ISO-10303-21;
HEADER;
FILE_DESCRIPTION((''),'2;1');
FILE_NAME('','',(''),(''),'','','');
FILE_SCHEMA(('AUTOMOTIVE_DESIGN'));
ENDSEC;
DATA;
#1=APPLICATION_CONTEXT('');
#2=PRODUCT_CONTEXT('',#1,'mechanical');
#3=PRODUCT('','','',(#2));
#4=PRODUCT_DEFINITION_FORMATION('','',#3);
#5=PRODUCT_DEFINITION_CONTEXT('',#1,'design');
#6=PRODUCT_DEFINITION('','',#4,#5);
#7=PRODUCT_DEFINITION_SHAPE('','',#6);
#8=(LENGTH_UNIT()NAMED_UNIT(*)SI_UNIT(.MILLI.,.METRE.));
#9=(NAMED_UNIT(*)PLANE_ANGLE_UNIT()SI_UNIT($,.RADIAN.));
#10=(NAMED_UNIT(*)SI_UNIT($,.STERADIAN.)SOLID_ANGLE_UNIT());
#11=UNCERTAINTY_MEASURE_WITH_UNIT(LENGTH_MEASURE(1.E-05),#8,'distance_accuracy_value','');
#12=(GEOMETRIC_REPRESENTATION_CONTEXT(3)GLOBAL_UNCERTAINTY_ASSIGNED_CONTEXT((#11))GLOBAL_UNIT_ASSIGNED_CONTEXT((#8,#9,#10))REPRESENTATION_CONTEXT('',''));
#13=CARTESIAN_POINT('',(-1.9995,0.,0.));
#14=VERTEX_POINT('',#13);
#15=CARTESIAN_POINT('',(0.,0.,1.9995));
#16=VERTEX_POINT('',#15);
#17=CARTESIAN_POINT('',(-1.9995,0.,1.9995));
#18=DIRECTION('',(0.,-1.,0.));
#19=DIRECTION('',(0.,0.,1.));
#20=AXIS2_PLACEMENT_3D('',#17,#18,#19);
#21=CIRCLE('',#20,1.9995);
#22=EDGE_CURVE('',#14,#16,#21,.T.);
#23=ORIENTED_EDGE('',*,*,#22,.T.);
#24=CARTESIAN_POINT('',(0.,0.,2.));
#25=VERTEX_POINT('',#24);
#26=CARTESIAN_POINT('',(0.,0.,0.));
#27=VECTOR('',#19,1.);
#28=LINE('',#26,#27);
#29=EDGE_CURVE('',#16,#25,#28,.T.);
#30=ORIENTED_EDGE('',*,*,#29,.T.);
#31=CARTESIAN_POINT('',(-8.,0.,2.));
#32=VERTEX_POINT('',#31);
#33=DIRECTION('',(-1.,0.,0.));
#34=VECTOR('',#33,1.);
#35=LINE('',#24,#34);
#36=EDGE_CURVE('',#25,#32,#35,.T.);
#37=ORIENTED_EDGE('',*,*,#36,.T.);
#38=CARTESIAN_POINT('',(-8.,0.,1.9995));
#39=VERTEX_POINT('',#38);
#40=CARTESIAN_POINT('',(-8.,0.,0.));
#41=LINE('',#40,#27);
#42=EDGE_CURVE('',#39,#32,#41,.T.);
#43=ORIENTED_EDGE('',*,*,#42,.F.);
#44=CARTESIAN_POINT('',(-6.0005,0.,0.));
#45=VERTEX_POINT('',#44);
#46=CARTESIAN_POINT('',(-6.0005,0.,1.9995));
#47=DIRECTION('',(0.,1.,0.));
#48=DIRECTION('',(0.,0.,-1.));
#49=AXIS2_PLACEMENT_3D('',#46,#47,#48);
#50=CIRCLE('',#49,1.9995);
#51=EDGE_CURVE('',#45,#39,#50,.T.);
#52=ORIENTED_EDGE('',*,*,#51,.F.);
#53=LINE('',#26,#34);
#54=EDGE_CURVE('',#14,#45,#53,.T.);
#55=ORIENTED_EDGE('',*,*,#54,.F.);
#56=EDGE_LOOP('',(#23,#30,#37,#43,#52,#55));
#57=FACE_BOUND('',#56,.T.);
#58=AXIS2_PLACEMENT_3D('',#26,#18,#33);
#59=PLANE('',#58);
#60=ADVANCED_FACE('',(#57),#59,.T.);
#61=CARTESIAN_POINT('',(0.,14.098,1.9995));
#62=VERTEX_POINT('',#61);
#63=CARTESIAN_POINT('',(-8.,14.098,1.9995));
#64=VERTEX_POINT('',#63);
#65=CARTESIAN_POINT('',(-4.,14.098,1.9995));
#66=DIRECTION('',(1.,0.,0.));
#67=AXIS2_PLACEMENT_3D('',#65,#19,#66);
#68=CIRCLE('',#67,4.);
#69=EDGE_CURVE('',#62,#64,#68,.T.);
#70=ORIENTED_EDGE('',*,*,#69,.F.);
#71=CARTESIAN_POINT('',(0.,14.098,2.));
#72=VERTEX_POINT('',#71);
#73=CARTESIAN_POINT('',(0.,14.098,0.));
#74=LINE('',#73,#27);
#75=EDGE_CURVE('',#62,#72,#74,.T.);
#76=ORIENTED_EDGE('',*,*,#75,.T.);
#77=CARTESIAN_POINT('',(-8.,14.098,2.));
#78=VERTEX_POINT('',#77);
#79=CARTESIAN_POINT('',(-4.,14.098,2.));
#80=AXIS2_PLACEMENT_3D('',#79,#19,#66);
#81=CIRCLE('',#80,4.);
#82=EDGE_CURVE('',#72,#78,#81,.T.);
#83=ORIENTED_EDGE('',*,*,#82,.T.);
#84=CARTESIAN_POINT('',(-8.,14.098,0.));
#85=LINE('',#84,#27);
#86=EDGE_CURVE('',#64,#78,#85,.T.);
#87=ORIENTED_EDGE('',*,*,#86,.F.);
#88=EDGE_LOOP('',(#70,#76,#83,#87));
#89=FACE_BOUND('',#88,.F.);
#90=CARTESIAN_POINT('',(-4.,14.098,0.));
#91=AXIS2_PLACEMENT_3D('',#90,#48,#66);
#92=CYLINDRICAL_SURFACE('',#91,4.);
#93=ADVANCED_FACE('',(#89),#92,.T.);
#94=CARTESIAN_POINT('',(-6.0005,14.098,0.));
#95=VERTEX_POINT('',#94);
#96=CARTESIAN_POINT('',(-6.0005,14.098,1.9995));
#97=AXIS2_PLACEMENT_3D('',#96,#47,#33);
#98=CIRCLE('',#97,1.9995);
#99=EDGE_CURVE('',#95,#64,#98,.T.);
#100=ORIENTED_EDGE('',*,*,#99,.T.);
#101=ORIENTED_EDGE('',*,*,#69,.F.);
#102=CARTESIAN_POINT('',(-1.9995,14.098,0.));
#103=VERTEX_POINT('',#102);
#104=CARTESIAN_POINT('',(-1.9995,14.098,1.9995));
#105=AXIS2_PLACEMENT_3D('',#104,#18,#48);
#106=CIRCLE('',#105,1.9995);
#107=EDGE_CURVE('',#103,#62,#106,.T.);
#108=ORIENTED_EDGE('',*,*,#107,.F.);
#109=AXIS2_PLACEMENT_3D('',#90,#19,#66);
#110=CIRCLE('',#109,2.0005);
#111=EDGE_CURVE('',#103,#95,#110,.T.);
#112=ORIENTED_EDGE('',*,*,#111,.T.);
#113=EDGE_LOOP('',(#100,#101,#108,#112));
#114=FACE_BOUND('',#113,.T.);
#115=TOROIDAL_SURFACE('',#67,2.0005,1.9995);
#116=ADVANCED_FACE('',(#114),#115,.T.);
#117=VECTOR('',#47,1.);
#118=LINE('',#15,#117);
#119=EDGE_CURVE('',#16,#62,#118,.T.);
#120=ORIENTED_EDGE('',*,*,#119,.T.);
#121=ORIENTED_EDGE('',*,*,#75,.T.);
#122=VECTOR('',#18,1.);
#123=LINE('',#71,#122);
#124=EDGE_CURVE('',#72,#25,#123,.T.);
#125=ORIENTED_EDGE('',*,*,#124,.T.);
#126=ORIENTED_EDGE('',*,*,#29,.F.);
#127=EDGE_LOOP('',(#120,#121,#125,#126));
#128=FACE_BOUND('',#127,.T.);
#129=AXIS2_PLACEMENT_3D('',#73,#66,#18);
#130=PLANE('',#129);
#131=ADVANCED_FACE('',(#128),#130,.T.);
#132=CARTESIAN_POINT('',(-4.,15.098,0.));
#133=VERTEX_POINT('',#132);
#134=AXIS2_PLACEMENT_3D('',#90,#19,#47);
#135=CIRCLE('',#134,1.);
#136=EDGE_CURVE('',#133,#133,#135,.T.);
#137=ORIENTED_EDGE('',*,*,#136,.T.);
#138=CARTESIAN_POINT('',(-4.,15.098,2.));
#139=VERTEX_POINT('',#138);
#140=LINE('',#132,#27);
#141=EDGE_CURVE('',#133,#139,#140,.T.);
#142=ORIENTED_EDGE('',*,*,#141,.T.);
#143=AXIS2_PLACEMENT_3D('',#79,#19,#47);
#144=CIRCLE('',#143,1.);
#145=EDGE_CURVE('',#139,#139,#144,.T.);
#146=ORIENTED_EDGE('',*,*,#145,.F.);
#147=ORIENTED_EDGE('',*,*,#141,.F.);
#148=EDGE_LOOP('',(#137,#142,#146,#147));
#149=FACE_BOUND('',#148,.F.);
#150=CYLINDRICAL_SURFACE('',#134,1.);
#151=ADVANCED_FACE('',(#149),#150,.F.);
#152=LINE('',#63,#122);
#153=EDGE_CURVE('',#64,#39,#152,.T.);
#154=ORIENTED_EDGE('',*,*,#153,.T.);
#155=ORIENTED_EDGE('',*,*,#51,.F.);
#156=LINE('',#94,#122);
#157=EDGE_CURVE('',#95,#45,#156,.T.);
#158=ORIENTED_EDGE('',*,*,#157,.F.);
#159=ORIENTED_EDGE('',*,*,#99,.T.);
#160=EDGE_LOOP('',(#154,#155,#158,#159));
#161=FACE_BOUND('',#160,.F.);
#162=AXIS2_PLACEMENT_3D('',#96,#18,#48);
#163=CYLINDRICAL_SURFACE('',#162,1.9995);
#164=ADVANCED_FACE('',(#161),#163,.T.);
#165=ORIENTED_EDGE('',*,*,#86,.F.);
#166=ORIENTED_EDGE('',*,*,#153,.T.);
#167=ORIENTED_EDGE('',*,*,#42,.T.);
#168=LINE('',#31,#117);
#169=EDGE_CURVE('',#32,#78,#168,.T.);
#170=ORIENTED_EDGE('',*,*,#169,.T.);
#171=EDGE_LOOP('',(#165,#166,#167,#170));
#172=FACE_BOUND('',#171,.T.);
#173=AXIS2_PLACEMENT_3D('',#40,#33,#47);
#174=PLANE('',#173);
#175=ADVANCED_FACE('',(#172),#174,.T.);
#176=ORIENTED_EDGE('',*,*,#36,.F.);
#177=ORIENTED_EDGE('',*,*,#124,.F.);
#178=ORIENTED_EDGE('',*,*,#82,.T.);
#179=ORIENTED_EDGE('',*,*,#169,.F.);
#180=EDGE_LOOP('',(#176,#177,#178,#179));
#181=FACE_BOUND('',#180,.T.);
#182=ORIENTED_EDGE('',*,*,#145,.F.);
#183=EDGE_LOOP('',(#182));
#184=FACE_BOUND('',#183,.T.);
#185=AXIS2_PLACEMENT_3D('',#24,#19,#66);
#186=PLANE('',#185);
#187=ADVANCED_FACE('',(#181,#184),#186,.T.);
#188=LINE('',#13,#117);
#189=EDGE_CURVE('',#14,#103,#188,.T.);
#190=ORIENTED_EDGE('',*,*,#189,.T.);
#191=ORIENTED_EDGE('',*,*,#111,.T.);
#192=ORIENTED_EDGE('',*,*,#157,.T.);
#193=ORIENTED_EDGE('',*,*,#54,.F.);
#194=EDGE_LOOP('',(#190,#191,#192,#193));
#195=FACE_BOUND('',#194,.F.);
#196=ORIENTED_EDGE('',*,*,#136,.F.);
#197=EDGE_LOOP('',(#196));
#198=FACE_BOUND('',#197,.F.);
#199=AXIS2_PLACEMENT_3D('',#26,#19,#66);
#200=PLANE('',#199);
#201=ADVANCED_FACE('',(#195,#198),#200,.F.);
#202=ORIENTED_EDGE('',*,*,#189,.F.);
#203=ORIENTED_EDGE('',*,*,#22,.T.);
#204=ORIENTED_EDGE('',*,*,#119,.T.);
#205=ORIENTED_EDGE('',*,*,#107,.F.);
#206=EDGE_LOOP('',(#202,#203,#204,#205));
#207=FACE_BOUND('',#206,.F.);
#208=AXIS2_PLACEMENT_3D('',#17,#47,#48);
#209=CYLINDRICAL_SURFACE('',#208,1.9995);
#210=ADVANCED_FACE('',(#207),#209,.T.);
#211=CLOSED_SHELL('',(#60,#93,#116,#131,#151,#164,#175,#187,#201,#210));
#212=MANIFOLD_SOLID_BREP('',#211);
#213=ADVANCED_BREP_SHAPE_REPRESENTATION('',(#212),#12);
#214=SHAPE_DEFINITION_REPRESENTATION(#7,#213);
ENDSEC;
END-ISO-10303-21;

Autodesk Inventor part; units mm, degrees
ref_plane "YZ Plane" through (0, 0, 0) normal (1, 0, 0) x (0, 1, 0)
ref_plane "XZ Plane" through (0, 0, 0) normal (0, 1, 0) x (-1, 0, 0)
ref_plane "XY Plane" through (0, 0, 0) normal (0, 0, 1) x (1, 0, 0)
sketch "Szkic1" plane through (0, 0, 0) normal (0, 0, 1) x (1, 0, 0)
  line L0 (-9.6, 0) -> (1.6, 0) construction
  line L1 (0, -3.6196) -> (0, 21.7176) construction
  line L2 (0, 0) -> (-8, 0)
  line L3 (-8, 0) -> (-8, 14.098)
  line L4 (-8, 14.098) -> (0, 14.098)
  line L5 (0, 14.098) -> (0, 0)
  circle A0 centre (-4, 14.098) radius 4
  dimension "d1" = 8
  dimension "d2" = 14.098
extrude "Wyciągnięcie proste1" add sketch "Szkic1" along normal blind 2
hole "Otwór1" at (-4, 14.098, 0) direction (0, 0, 1) diameter 2 end through all
fillet "Zaokrąglenie1" radius 2 3 edges at (-4, 18.098, 0) (-8, 7.049, 0) (0, 7.049, 0)
properties part number "podpora"
